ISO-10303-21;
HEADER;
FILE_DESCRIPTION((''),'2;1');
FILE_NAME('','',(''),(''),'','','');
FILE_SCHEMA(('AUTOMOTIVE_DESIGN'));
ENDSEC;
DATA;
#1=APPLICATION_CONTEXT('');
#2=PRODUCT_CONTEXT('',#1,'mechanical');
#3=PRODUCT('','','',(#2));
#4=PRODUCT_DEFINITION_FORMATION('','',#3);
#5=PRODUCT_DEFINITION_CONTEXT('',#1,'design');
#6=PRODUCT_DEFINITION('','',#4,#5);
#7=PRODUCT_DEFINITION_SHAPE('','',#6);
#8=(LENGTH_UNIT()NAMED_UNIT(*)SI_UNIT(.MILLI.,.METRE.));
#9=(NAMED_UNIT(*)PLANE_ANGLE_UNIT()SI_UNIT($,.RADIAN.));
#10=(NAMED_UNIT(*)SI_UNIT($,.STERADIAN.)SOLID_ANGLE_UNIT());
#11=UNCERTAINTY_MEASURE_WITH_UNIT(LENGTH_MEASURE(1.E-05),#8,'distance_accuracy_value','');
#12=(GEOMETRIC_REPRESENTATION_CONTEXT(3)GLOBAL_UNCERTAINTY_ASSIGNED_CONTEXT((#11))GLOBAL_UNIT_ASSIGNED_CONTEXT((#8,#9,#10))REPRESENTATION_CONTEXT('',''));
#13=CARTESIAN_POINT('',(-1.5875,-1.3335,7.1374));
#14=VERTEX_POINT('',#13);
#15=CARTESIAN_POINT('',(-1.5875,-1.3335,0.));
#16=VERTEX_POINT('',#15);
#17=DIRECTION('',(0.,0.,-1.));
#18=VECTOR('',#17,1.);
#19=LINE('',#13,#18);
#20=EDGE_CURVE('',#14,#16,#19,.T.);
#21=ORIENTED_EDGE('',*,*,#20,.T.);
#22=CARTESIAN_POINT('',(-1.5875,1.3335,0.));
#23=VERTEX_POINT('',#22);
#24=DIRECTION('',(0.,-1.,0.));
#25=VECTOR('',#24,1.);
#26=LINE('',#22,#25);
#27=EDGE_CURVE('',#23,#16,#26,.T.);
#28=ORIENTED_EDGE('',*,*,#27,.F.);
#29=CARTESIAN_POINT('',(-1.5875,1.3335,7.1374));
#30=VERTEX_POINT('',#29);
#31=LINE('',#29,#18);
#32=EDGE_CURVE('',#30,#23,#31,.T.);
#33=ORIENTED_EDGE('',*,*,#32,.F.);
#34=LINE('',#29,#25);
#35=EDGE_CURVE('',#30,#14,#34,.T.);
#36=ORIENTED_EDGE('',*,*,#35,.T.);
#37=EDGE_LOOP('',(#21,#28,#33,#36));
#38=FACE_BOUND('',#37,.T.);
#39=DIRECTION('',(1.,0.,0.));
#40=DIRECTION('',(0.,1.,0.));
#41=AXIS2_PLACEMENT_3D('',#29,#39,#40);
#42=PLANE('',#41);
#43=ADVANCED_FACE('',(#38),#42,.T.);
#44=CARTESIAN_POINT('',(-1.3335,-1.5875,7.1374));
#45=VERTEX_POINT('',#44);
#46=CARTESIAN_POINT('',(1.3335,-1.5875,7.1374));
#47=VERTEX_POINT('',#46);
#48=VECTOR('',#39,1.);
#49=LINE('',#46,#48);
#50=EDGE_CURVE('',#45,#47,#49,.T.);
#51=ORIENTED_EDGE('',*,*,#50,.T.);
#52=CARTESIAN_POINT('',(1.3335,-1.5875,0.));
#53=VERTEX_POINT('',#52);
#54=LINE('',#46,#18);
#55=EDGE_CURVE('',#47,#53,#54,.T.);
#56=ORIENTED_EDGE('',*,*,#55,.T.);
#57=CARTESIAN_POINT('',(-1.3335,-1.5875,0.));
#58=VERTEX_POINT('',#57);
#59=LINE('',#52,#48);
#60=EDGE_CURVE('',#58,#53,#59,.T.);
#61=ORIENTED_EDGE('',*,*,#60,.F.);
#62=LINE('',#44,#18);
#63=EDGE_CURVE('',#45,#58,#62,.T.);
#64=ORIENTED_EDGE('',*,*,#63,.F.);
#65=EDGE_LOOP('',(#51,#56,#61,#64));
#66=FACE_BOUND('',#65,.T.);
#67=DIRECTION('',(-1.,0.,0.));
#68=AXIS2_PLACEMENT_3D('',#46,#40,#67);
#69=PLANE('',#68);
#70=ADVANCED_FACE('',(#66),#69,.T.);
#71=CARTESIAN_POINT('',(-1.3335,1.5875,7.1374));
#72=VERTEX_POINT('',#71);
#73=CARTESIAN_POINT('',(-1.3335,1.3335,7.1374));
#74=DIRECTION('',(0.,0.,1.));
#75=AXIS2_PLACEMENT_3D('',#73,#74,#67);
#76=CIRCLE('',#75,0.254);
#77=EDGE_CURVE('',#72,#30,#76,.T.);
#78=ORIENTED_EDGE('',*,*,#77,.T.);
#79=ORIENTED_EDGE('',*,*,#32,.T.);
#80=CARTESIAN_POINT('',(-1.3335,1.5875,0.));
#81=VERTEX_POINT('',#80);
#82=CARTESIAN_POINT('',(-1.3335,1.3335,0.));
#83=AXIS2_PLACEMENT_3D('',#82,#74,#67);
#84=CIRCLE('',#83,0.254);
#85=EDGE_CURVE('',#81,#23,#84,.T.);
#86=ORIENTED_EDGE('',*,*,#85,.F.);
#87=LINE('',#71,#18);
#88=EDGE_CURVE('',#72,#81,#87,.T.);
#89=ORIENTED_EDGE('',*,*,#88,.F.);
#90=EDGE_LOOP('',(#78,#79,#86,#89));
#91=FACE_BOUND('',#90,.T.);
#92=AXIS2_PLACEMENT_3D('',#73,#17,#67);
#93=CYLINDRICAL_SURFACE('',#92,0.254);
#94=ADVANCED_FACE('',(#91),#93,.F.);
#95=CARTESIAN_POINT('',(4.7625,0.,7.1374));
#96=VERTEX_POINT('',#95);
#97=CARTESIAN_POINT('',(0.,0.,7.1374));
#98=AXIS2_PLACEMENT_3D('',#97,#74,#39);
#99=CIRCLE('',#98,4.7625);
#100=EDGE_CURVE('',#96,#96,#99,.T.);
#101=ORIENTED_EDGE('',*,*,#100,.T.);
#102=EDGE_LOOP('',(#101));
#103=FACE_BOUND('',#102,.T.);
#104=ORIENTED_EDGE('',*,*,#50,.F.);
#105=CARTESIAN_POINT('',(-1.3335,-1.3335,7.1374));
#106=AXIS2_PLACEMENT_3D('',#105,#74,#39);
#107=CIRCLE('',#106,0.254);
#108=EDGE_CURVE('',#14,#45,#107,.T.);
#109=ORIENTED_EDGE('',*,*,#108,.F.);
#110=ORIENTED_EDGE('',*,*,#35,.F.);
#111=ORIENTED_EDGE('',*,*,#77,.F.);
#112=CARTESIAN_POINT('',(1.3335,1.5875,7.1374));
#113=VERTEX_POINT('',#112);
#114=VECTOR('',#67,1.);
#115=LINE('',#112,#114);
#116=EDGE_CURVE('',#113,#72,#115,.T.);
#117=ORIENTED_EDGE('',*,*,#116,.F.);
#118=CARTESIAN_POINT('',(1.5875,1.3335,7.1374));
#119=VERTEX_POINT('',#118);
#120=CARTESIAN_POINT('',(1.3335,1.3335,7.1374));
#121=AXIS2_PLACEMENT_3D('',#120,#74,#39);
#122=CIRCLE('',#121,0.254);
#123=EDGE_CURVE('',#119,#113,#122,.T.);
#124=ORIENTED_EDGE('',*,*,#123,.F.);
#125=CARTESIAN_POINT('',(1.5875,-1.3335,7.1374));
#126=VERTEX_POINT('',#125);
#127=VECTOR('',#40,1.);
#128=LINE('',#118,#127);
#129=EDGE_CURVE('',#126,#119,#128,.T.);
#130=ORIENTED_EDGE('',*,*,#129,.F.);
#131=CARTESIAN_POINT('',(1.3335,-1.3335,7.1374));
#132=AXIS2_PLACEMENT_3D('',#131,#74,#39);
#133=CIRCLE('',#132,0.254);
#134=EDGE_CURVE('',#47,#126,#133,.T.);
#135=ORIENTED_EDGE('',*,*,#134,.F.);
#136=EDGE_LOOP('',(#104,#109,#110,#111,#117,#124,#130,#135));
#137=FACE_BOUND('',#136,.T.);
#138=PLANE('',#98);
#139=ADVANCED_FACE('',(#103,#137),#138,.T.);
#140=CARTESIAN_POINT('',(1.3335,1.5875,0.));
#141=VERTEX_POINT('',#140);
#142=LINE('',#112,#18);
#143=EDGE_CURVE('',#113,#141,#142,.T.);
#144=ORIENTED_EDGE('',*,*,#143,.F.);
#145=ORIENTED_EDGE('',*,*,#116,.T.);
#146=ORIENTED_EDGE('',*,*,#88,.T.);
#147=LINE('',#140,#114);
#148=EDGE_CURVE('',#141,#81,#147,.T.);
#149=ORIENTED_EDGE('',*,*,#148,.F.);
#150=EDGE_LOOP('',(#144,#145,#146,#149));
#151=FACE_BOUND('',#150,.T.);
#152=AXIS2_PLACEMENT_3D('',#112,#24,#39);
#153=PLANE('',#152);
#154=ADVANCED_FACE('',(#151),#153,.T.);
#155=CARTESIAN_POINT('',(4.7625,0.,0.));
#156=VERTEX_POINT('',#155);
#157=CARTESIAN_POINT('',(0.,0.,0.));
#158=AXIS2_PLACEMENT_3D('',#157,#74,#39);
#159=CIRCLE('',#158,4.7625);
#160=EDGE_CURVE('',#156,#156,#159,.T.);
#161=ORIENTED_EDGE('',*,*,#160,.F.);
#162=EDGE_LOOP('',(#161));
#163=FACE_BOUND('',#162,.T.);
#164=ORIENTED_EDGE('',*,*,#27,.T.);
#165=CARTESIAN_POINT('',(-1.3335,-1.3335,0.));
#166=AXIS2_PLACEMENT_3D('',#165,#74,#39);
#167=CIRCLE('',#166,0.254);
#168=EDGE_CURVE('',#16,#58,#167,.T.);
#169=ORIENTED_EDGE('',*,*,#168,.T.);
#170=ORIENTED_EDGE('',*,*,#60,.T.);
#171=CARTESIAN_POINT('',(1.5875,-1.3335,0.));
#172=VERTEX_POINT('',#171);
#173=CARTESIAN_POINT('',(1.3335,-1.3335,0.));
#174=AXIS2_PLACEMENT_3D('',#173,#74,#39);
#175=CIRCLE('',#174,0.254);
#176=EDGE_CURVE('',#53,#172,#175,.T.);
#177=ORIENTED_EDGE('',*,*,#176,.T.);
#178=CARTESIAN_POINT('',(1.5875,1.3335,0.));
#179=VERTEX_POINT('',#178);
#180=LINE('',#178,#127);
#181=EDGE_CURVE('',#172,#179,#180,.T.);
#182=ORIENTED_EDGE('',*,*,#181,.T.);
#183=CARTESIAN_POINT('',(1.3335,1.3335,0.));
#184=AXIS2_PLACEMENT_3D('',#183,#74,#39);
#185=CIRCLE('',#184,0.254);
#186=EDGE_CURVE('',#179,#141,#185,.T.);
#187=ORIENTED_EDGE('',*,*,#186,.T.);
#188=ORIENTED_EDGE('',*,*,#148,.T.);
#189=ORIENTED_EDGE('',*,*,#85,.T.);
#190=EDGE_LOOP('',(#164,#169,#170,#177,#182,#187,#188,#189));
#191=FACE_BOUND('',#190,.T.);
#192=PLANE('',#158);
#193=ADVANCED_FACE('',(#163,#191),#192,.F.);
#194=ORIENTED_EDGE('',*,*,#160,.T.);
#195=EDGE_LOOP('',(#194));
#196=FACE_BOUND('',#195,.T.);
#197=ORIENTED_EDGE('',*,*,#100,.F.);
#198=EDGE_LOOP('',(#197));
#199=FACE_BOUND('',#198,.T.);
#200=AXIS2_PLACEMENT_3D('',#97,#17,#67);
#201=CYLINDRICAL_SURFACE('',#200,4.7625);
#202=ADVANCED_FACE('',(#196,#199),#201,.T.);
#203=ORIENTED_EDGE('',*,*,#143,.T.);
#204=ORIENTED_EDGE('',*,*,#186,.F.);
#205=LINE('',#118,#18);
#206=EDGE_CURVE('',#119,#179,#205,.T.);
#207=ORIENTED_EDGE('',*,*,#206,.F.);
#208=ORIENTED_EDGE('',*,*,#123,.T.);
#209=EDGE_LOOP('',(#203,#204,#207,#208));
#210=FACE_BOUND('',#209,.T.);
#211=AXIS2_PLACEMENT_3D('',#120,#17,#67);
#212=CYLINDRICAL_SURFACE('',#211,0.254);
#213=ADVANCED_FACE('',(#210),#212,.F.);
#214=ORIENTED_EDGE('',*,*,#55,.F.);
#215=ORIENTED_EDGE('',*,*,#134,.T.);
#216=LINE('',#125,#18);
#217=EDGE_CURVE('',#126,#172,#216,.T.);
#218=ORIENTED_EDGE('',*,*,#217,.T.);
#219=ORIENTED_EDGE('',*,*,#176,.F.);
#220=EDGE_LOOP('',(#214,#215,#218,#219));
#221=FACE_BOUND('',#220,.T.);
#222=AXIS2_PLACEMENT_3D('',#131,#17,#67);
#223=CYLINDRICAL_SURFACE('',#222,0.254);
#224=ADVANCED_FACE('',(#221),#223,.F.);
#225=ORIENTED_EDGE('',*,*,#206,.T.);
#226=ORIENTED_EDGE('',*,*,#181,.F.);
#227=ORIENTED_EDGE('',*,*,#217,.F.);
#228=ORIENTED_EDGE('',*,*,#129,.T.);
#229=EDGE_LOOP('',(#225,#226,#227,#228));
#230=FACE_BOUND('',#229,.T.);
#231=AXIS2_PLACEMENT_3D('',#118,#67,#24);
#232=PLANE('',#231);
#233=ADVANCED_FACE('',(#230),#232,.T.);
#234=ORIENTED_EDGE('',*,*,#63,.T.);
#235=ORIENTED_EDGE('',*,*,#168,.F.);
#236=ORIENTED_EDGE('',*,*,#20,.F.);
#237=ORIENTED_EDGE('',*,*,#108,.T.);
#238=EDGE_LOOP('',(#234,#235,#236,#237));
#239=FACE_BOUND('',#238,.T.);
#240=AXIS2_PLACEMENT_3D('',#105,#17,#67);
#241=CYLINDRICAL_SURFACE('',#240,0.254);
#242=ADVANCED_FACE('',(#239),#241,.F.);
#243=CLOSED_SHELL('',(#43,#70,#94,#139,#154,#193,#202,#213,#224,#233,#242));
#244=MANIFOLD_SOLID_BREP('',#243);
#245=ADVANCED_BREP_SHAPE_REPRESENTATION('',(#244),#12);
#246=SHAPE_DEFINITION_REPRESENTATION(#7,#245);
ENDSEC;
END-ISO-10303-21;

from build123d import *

# Parameters (mm, degrees)
SKETCH1_R           = 4.7625
BOSS_EXTRUDE1_DEPTH = 7.1374


with BuildPart() as part:
    # Sketch1 → Boss-Extrude1 (new body)
    with BuildSketch(Plane.XY):
        Circle(SKETCH1_R)
        with BuildLine():
            Line((1.3335, 1.5875), (-1.3335, 1.5875))
            ThreePointArc((-1.3335, 1.5875), (-1.513105122, 1.513105122), (-1.5875, 1.3335))
            Line((-1.5875, 1.3335), (-1.5875, -1.3335))
            ThreePointArc((-1.5875, -1.3335), (-1.513105122, -1.513105122), (-1.3335, -1.5875))
            Line((-1.3335, -1.5875), (1.3335, -1.5875))
            ThreePointArc((1.3335, -1.5875), (1.513105122, -1.513105122), (1.5875, -1.3335))
            Line((1.5875, -1.3335), (1.5875, 1.3335))
            ThreePointArc((1.5875, 1.3335), (1.513105122, 1.513105122), (1.3335, 1.5875))
        make_face(mode=Mode.SUBTRACT)
    extrude(amount=BOSS_EXTRUDE1_DEPTH)


solid = part.part
